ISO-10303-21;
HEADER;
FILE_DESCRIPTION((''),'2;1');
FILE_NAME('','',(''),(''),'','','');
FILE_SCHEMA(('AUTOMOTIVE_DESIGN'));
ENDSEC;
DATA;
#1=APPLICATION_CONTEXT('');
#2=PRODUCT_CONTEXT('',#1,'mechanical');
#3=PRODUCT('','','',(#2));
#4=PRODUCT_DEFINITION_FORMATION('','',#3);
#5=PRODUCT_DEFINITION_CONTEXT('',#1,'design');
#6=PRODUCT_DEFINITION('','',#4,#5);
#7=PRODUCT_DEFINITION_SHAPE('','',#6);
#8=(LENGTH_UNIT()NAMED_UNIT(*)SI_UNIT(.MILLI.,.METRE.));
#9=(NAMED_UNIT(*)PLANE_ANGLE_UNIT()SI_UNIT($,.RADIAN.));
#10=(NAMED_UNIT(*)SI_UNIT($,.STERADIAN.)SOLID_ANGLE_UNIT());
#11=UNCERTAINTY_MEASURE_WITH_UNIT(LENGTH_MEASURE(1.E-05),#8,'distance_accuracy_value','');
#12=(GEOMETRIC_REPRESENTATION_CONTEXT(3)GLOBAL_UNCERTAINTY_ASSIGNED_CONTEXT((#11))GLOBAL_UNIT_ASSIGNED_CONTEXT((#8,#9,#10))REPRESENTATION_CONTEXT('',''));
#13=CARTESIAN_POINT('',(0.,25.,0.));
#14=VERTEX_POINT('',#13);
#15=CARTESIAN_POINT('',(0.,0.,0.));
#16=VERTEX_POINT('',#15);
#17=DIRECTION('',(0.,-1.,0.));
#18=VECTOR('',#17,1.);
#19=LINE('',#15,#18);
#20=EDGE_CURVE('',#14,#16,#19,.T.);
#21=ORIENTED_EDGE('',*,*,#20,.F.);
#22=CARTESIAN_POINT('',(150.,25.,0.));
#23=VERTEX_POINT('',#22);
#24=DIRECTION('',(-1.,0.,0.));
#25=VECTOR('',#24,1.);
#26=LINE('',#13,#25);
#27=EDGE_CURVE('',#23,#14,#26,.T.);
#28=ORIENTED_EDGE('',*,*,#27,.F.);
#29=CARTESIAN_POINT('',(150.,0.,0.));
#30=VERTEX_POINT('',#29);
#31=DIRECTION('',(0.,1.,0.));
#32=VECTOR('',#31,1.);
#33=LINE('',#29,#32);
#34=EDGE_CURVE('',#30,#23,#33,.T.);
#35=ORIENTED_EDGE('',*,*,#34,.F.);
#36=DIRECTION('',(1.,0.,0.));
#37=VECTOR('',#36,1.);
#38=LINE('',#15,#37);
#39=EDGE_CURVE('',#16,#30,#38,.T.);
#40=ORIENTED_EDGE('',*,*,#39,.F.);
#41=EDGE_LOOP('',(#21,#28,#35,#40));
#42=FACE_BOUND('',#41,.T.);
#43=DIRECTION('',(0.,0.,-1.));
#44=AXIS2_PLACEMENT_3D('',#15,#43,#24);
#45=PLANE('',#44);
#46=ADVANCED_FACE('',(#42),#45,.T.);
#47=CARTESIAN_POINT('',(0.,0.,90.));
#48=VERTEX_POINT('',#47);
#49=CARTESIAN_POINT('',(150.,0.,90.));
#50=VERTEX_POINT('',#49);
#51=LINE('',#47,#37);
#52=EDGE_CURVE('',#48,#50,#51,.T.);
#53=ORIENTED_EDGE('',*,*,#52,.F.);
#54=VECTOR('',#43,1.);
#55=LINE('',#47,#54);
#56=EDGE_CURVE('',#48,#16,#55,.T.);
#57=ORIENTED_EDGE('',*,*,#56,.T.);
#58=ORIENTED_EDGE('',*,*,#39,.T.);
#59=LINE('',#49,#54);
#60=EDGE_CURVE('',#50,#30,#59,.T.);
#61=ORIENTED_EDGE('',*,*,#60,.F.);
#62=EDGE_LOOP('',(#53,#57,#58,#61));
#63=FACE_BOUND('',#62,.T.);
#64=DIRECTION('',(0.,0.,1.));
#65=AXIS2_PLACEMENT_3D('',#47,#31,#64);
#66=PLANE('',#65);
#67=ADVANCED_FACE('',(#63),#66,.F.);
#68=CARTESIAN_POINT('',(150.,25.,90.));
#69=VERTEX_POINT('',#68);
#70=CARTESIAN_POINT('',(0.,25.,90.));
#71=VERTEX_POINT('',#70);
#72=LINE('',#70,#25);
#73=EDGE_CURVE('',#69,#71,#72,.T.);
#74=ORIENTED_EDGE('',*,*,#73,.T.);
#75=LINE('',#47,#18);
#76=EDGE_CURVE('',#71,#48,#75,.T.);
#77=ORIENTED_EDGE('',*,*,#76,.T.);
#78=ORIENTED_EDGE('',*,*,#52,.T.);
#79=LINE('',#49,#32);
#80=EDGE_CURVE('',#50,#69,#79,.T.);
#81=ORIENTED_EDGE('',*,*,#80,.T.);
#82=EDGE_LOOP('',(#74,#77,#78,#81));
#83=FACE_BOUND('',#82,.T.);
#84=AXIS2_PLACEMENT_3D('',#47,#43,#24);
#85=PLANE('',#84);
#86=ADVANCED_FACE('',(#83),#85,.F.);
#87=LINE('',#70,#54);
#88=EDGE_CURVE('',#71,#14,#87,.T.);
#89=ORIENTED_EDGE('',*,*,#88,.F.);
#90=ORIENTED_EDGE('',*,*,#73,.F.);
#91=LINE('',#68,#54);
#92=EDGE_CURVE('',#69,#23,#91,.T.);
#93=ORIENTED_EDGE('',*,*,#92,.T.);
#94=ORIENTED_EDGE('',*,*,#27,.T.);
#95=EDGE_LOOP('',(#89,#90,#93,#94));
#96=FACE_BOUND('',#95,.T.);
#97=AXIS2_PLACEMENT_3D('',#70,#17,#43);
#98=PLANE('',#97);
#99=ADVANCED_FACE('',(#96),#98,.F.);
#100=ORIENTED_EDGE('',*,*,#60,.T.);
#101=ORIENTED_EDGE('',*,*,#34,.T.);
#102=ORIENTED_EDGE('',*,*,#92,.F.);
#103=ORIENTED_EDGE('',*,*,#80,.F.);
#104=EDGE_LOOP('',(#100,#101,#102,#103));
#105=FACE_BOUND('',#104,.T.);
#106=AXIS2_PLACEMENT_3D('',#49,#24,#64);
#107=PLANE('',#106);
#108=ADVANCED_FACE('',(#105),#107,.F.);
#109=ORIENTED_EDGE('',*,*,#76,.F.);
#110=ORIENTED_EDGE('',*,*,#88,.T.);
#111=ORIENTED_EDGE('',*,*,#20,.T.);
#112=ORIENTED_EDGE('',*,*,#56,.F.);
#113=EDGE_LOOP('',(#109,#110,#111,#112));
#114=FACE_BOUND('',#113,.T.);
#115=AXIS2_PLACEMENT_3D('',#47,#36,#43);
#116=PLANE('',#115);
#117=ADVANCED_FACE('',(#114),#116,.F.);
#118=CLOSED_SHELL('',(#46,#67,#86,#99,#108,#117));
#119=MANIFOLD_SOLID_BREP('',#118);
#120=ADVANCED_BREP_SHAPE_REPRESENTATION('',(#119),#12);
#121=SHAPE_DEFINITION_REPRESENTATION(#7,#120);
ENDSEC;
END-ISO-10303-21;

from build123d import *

# Parameters (mm, degrees)
SKETCH_1_W                        = 150
SKETCH_1_H                        = 25
V2_REF_ELECTRONICS_ENVELOPE_DEPTH = 90


with BuildPart() as part:
    # 草图1 → V2_REF_electronics_envelope (new body)
    with BuildSketch(Plane.XY):
        with Locations((75, 12.5)):
            Rectangle(SKETCH_1_W, SKETCH_1_H)
    extrude(amount=V2_REF_ELECTRONICS_ENVELOPE_DEPTH)


solid = part.part
